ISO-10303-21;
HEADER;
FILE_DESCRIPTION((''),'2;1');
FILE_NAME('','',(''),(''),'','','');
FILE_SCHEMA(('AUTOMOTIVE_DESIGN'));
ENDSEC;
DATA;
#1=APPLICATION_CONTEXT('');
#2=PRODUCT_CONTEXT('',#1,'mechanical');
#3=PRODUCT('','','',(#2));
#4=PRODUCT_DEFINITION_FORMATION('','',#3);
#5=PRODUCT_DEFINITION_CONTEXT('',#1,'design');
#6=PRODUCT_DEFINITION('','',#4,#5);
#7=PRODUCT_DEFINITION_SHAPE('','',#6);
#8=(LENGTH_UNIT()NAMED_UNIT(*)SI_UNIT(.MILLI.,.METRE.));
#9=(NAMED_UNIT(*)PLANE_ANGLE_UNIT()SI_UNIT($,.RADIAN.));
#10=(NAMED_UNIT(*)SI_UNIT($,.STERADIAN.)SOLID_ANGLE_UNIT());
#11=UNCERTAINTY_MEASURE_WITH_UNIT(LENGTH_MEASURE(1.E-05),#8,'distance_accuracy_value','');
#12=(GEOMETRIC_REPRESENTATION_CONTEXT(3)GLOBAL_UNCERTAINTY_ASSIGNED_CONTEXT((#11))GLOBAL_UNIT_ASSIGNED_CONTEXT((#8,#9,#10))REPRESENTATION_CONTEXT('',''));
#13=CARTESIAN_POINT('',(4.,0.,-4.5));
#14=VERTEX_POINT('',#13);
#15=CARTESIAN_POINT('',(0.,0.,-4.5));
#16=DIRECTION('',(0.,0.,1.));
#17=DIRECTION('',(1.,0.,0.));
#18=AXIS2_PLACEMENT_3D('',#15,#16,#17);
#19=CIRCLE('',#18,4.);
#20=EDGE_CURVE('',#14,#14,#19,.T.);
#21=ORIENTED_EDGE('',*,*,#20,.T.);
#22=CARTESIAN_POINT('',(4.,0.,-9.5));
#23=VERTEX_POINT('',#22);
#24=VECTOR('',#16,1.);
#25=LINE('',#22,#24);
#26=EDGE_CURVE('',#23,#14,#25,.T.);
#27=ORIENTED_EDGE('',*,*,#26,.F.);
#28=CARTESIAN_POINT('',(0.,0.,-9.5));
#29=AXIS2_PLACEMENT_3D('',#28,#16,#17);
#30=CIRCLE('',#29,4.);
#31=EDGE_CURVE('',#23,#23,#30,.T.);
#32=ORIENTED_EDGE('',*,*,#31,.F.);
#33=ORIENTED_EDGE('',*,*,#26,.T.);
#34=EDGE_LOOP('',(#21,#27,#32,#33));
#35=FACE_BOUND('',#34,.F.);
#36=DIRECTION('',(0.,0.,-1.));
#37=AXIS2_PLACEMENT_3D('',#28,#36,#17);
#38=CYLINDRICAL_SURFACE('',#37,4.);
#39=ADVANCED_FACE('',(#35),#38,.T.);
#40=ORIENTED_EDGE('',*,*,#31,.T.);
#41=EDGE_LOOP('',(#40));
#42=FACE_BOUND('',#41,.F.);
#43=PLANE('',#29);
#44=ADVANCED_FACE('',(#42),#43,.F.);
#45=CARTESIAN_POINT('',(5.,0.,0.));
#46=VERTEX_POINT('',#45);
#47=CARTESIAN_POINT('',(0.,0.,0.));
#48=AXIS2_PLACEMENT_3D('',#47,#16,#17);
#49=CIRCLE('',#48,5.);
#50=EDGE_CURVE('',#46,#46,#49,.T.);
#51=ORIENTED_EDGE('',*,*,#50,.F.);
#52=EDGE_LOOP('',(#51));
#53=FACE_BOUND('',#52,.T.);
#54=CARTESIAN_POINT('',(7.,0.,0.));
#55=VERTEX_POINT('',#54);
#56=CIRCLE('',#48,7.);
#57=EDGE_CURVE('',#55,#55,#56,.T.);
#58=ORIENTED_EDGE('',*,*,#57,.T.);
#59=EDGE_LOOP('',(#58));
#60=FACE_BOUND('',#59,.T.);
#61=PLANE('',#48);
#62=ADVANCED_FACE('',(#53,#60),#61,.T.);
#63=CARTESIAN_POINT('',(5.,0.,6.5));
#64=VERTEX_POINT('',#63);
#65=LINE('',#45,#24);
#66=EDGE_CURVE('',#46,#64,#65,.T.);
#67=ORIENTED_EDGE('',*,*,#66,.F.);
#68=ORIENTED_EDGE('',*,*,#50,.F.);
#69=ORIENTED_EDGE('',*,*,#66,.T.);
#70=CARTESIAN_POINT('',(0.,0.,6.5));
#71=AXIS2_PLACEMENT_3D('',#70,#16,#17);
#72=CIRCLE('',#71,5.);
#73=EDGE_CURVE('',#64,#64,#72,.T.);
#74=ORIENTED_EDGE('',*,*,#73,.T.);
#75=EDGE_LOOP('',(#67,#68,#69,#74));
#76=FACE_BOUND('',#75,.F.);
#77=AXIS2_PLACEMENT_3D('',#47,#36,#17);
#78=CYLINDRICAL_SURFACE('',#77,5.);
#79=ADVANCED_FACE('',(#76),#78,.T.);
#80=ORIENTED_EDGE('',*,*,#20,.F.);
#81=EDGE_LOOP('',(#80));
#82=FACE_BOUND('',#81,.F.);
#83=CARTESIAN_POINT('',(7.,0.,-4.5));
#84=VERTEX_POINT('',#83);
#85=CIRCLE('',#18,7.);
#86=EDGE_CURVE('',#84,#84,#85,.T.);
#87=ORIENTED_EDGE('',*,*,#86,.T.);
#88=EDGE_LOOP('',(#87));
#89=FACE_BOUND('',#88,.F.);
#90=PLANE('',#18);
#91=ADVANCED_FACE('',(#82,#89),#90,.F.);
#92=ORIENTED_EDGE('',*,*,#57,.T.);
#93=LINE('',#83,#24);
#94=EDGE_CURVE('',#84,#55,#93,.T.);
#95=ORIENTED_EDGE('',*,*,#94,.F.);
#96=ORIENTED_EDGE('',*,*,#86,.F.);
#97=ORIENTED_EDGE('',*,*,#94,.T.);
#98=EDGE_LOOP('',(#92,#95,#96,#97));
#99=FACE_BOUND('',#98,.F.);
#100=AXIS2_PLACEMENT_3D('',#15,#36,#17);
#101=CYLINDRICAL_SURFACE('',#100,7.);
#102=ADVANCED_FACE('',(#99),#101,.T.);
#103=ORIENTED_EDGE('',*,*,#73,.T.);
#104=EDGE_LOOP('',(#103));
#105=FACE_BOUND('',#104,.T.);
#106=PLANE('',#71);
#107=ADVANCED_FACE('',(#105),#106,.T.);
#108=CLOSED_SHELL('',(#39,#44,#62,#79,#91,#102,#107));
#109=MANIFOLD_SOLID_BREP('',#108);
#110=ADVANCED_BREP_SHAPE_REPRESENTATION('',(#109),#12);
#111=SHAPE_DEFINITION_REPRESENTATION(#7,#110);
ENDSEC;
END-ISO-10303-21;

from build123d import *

# Parameters (mm, degrees)
CYLINDER001_R     = 7
CYLINDER001_DEPTH = 4.5
CYLINDER002_R     = 4
CYLINDER002_DEPTH = 5
CYLINDER_R        = 5
CYLINDER_DEPTH    = 6.5


with BuildPart() as cylinder:
    # Cylinder001 → Cylinder001 (new body)
    with BuildSketch(Plane.XY.offset(-4.5)):
        Circle(CYLINDER001_R)
    extrude(amount=CYLINDER001_DEPTH)


with BuildPart() as cylinder001:
    # Cylinder002 → Cylinder002 (new body)
    with BuildSketch(Plane.XY.offset(-9.5)):
        Circle(CYLINDER002_R)
    extrude(amount=CYLINDER002_DEPTH)


with BuildPart() as fusion:
    # Cylinder → Cylinder (new body)
    with BuildSketch(Plane.XY):
        Circle(CYLINDER_R)
    extrude(amount=CYLINDER_DEPTH)

    # Fusion: union Cylinder, Cylinder001
    add(cylinder.part)
    add(cylinder001.part)


solid = fusion.part
